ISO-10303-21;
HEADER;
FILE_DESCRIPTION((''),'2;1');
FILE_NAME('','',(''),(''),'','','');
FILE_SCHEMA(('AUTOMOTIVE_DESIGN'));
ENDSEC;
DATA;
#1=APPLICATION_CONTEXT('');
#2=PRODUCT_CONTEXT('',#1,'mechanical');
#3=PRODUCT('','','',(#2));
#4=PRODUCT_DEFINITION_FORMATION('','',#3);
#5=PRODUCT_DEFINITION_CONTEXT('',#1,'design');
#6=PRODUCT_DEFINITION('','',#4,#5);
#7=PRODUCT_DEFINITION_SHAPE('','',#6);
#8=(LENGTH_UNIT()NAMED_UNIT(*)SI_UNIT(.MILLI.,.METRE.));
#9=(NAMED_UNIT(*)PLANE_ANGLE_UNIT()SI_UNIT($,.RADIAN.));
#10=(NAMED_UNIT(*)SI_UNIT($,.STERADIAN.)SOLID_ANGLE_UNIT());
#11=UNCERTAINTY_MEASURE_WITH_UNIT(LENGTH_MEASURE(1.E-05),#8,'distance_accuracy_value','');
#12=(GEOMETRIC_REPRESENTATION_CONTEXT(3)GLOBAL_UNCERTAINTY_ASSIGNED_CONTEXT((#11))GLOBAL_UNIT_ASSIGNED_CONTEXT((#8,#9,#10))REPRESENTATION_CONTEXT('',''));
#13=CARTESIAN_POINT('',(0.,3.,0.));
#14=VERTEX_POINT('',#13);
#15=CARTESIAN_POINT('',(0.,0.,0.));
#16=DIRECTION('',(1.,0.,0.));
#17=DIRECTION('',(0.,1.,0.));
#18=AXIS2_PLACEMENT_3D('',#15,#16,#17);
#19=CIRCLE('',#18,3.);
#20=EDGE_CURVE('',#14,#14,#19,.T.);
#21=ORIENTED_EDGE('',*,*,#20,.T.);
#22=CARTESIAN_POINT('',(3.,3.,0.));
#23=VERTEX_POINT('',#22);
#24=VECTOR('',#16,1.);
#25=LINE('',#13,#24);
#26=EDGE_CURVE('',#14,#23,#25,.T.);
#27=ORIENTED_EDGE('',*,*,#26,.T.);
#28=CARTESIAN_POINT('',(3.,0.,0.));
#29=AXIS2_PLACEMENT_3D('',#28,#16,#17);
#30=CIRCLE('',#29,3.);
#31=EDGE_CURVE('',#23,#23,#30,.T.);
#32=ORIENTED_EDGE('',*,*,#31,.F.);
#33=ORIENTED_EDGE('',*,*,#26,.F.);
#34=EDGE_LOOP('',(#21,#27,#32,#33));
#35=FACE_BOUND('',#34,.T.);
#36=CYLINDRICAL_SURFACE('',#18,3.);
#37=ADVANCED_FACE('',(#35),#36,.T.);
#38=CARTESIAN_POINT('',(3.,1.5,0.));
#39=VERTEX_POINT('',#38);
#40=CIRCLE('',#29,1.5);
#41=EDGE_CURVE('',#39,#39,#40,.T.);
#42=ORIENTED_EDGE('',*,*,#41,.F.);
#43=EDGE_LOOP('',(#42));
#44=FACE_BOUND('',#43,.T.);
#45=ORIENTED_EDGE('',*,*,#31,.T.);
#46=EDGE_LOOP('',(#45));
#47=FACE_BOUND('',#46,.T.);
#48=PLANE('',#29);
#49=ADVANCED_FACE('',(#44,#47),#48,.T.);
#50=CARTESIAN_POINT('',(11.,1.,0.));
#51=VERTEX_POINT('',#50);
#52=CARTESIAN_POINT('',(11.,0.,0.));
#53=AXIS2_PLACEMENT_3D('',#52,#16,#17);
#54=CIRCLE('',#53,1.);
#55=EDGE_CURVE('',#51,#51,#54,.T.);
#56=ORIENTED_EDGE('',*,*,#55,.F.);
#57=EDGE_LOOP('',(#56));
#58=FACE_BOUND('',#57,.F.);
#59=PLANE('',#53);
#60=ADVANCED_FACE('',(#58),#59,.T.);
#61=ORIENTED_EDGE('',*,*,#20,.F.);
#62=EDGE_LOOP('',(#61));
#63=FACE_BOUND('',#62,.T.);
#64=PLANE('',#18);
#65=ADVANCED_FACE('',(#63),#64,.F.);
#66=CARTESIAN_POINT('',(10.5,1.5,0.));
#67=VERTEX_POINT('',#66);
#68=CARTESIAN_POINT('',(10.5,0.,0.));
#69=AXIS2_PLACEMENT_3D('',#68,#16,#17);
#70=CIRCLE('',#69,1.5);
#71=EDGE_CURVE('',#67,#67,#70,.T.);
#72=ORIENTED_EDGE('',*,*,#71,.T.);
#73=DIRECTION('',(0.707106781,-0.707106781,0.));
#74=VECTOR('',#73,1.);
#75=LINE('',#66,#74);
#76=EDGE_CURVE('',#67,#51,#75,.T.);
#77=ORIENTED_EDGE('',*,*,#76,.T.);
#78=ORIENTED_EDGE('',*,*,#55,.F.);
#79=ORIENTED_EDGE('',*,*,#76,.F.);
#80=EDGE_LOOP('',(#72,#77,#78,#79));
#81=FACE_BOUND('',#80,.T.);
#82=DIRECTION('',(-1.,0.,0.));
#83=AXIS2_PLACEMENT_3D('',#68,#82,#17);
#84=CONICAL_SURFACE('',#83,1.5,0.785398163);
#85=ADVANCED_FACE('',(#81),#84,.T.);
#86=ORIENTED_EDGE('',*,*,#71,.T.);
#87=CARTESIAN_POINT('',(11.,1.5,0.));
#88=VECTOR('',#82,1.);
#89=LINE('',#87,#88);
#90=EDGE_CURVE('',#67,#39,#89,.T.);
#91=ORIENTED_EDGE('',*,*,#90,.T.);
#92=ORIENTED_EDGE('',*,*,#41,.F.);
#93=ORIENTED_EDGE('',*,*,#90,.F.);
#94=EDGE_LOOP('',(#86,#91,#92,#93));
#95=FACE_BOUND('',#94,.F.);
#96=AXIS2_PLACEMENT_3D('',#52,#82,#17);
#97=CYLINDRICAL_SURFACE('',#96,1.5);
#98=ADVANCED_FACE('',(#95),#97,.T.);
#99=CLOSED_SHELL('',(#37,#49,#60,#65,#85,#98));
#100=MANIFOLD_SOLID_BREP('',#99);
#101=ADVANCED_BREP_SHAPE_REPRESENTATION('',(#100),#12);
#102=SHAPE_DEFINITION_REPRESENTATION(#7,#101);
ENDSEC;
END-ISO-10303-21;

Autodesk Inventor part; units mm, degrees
ref_plane "YZ Plane" through (0, 0, 0) normal (1, 0, 0) x (0, 1, 0)
ref_plane "XZ Plane" through (0, 0, 0) normal (0, 1, 0) x (-1, 0, 0)
ref_plane "XY Plane" through (0, 0, 0) normal (0, 0, 1) x (1, 0, 0)
sketch "Эскиз1" plane through (0, 0, 0) normal (0, 0, 1) x (1, 0, 0)
  line L0 (0, 0) -> (0, 3)
  line L1 (0, 3) -> (3, 3)
  line L2 (3, 3) -> (3, 0)
  line L3 (3, 0) -> (11, 0)
  line L4 (11, 0) -> (11, 1.5)
  line L5 (11, 1.5) -> (3, 1.5)
  line L6 (0, 0) -> (3, 0)
  line L7 (3, 0) -> (0, 0)
  dimension "d0" = 3
  dimension "d1" = 3
  dimension "d2" = 8
  dimension "d3" = 1.5
revolve "Вращение1" add sketch "Эскиз1" angle 360 about axis through (3, 0, 0) along (1, 0, 0)
thread "Резьба1" size "M3x0.5" class "6g" standard "ISO Metric profile" full length
chamfer "Фаска1" distance 0.5 angle 45 1 edges at (11, -1.5, 0)
properties part number "М3х8"
